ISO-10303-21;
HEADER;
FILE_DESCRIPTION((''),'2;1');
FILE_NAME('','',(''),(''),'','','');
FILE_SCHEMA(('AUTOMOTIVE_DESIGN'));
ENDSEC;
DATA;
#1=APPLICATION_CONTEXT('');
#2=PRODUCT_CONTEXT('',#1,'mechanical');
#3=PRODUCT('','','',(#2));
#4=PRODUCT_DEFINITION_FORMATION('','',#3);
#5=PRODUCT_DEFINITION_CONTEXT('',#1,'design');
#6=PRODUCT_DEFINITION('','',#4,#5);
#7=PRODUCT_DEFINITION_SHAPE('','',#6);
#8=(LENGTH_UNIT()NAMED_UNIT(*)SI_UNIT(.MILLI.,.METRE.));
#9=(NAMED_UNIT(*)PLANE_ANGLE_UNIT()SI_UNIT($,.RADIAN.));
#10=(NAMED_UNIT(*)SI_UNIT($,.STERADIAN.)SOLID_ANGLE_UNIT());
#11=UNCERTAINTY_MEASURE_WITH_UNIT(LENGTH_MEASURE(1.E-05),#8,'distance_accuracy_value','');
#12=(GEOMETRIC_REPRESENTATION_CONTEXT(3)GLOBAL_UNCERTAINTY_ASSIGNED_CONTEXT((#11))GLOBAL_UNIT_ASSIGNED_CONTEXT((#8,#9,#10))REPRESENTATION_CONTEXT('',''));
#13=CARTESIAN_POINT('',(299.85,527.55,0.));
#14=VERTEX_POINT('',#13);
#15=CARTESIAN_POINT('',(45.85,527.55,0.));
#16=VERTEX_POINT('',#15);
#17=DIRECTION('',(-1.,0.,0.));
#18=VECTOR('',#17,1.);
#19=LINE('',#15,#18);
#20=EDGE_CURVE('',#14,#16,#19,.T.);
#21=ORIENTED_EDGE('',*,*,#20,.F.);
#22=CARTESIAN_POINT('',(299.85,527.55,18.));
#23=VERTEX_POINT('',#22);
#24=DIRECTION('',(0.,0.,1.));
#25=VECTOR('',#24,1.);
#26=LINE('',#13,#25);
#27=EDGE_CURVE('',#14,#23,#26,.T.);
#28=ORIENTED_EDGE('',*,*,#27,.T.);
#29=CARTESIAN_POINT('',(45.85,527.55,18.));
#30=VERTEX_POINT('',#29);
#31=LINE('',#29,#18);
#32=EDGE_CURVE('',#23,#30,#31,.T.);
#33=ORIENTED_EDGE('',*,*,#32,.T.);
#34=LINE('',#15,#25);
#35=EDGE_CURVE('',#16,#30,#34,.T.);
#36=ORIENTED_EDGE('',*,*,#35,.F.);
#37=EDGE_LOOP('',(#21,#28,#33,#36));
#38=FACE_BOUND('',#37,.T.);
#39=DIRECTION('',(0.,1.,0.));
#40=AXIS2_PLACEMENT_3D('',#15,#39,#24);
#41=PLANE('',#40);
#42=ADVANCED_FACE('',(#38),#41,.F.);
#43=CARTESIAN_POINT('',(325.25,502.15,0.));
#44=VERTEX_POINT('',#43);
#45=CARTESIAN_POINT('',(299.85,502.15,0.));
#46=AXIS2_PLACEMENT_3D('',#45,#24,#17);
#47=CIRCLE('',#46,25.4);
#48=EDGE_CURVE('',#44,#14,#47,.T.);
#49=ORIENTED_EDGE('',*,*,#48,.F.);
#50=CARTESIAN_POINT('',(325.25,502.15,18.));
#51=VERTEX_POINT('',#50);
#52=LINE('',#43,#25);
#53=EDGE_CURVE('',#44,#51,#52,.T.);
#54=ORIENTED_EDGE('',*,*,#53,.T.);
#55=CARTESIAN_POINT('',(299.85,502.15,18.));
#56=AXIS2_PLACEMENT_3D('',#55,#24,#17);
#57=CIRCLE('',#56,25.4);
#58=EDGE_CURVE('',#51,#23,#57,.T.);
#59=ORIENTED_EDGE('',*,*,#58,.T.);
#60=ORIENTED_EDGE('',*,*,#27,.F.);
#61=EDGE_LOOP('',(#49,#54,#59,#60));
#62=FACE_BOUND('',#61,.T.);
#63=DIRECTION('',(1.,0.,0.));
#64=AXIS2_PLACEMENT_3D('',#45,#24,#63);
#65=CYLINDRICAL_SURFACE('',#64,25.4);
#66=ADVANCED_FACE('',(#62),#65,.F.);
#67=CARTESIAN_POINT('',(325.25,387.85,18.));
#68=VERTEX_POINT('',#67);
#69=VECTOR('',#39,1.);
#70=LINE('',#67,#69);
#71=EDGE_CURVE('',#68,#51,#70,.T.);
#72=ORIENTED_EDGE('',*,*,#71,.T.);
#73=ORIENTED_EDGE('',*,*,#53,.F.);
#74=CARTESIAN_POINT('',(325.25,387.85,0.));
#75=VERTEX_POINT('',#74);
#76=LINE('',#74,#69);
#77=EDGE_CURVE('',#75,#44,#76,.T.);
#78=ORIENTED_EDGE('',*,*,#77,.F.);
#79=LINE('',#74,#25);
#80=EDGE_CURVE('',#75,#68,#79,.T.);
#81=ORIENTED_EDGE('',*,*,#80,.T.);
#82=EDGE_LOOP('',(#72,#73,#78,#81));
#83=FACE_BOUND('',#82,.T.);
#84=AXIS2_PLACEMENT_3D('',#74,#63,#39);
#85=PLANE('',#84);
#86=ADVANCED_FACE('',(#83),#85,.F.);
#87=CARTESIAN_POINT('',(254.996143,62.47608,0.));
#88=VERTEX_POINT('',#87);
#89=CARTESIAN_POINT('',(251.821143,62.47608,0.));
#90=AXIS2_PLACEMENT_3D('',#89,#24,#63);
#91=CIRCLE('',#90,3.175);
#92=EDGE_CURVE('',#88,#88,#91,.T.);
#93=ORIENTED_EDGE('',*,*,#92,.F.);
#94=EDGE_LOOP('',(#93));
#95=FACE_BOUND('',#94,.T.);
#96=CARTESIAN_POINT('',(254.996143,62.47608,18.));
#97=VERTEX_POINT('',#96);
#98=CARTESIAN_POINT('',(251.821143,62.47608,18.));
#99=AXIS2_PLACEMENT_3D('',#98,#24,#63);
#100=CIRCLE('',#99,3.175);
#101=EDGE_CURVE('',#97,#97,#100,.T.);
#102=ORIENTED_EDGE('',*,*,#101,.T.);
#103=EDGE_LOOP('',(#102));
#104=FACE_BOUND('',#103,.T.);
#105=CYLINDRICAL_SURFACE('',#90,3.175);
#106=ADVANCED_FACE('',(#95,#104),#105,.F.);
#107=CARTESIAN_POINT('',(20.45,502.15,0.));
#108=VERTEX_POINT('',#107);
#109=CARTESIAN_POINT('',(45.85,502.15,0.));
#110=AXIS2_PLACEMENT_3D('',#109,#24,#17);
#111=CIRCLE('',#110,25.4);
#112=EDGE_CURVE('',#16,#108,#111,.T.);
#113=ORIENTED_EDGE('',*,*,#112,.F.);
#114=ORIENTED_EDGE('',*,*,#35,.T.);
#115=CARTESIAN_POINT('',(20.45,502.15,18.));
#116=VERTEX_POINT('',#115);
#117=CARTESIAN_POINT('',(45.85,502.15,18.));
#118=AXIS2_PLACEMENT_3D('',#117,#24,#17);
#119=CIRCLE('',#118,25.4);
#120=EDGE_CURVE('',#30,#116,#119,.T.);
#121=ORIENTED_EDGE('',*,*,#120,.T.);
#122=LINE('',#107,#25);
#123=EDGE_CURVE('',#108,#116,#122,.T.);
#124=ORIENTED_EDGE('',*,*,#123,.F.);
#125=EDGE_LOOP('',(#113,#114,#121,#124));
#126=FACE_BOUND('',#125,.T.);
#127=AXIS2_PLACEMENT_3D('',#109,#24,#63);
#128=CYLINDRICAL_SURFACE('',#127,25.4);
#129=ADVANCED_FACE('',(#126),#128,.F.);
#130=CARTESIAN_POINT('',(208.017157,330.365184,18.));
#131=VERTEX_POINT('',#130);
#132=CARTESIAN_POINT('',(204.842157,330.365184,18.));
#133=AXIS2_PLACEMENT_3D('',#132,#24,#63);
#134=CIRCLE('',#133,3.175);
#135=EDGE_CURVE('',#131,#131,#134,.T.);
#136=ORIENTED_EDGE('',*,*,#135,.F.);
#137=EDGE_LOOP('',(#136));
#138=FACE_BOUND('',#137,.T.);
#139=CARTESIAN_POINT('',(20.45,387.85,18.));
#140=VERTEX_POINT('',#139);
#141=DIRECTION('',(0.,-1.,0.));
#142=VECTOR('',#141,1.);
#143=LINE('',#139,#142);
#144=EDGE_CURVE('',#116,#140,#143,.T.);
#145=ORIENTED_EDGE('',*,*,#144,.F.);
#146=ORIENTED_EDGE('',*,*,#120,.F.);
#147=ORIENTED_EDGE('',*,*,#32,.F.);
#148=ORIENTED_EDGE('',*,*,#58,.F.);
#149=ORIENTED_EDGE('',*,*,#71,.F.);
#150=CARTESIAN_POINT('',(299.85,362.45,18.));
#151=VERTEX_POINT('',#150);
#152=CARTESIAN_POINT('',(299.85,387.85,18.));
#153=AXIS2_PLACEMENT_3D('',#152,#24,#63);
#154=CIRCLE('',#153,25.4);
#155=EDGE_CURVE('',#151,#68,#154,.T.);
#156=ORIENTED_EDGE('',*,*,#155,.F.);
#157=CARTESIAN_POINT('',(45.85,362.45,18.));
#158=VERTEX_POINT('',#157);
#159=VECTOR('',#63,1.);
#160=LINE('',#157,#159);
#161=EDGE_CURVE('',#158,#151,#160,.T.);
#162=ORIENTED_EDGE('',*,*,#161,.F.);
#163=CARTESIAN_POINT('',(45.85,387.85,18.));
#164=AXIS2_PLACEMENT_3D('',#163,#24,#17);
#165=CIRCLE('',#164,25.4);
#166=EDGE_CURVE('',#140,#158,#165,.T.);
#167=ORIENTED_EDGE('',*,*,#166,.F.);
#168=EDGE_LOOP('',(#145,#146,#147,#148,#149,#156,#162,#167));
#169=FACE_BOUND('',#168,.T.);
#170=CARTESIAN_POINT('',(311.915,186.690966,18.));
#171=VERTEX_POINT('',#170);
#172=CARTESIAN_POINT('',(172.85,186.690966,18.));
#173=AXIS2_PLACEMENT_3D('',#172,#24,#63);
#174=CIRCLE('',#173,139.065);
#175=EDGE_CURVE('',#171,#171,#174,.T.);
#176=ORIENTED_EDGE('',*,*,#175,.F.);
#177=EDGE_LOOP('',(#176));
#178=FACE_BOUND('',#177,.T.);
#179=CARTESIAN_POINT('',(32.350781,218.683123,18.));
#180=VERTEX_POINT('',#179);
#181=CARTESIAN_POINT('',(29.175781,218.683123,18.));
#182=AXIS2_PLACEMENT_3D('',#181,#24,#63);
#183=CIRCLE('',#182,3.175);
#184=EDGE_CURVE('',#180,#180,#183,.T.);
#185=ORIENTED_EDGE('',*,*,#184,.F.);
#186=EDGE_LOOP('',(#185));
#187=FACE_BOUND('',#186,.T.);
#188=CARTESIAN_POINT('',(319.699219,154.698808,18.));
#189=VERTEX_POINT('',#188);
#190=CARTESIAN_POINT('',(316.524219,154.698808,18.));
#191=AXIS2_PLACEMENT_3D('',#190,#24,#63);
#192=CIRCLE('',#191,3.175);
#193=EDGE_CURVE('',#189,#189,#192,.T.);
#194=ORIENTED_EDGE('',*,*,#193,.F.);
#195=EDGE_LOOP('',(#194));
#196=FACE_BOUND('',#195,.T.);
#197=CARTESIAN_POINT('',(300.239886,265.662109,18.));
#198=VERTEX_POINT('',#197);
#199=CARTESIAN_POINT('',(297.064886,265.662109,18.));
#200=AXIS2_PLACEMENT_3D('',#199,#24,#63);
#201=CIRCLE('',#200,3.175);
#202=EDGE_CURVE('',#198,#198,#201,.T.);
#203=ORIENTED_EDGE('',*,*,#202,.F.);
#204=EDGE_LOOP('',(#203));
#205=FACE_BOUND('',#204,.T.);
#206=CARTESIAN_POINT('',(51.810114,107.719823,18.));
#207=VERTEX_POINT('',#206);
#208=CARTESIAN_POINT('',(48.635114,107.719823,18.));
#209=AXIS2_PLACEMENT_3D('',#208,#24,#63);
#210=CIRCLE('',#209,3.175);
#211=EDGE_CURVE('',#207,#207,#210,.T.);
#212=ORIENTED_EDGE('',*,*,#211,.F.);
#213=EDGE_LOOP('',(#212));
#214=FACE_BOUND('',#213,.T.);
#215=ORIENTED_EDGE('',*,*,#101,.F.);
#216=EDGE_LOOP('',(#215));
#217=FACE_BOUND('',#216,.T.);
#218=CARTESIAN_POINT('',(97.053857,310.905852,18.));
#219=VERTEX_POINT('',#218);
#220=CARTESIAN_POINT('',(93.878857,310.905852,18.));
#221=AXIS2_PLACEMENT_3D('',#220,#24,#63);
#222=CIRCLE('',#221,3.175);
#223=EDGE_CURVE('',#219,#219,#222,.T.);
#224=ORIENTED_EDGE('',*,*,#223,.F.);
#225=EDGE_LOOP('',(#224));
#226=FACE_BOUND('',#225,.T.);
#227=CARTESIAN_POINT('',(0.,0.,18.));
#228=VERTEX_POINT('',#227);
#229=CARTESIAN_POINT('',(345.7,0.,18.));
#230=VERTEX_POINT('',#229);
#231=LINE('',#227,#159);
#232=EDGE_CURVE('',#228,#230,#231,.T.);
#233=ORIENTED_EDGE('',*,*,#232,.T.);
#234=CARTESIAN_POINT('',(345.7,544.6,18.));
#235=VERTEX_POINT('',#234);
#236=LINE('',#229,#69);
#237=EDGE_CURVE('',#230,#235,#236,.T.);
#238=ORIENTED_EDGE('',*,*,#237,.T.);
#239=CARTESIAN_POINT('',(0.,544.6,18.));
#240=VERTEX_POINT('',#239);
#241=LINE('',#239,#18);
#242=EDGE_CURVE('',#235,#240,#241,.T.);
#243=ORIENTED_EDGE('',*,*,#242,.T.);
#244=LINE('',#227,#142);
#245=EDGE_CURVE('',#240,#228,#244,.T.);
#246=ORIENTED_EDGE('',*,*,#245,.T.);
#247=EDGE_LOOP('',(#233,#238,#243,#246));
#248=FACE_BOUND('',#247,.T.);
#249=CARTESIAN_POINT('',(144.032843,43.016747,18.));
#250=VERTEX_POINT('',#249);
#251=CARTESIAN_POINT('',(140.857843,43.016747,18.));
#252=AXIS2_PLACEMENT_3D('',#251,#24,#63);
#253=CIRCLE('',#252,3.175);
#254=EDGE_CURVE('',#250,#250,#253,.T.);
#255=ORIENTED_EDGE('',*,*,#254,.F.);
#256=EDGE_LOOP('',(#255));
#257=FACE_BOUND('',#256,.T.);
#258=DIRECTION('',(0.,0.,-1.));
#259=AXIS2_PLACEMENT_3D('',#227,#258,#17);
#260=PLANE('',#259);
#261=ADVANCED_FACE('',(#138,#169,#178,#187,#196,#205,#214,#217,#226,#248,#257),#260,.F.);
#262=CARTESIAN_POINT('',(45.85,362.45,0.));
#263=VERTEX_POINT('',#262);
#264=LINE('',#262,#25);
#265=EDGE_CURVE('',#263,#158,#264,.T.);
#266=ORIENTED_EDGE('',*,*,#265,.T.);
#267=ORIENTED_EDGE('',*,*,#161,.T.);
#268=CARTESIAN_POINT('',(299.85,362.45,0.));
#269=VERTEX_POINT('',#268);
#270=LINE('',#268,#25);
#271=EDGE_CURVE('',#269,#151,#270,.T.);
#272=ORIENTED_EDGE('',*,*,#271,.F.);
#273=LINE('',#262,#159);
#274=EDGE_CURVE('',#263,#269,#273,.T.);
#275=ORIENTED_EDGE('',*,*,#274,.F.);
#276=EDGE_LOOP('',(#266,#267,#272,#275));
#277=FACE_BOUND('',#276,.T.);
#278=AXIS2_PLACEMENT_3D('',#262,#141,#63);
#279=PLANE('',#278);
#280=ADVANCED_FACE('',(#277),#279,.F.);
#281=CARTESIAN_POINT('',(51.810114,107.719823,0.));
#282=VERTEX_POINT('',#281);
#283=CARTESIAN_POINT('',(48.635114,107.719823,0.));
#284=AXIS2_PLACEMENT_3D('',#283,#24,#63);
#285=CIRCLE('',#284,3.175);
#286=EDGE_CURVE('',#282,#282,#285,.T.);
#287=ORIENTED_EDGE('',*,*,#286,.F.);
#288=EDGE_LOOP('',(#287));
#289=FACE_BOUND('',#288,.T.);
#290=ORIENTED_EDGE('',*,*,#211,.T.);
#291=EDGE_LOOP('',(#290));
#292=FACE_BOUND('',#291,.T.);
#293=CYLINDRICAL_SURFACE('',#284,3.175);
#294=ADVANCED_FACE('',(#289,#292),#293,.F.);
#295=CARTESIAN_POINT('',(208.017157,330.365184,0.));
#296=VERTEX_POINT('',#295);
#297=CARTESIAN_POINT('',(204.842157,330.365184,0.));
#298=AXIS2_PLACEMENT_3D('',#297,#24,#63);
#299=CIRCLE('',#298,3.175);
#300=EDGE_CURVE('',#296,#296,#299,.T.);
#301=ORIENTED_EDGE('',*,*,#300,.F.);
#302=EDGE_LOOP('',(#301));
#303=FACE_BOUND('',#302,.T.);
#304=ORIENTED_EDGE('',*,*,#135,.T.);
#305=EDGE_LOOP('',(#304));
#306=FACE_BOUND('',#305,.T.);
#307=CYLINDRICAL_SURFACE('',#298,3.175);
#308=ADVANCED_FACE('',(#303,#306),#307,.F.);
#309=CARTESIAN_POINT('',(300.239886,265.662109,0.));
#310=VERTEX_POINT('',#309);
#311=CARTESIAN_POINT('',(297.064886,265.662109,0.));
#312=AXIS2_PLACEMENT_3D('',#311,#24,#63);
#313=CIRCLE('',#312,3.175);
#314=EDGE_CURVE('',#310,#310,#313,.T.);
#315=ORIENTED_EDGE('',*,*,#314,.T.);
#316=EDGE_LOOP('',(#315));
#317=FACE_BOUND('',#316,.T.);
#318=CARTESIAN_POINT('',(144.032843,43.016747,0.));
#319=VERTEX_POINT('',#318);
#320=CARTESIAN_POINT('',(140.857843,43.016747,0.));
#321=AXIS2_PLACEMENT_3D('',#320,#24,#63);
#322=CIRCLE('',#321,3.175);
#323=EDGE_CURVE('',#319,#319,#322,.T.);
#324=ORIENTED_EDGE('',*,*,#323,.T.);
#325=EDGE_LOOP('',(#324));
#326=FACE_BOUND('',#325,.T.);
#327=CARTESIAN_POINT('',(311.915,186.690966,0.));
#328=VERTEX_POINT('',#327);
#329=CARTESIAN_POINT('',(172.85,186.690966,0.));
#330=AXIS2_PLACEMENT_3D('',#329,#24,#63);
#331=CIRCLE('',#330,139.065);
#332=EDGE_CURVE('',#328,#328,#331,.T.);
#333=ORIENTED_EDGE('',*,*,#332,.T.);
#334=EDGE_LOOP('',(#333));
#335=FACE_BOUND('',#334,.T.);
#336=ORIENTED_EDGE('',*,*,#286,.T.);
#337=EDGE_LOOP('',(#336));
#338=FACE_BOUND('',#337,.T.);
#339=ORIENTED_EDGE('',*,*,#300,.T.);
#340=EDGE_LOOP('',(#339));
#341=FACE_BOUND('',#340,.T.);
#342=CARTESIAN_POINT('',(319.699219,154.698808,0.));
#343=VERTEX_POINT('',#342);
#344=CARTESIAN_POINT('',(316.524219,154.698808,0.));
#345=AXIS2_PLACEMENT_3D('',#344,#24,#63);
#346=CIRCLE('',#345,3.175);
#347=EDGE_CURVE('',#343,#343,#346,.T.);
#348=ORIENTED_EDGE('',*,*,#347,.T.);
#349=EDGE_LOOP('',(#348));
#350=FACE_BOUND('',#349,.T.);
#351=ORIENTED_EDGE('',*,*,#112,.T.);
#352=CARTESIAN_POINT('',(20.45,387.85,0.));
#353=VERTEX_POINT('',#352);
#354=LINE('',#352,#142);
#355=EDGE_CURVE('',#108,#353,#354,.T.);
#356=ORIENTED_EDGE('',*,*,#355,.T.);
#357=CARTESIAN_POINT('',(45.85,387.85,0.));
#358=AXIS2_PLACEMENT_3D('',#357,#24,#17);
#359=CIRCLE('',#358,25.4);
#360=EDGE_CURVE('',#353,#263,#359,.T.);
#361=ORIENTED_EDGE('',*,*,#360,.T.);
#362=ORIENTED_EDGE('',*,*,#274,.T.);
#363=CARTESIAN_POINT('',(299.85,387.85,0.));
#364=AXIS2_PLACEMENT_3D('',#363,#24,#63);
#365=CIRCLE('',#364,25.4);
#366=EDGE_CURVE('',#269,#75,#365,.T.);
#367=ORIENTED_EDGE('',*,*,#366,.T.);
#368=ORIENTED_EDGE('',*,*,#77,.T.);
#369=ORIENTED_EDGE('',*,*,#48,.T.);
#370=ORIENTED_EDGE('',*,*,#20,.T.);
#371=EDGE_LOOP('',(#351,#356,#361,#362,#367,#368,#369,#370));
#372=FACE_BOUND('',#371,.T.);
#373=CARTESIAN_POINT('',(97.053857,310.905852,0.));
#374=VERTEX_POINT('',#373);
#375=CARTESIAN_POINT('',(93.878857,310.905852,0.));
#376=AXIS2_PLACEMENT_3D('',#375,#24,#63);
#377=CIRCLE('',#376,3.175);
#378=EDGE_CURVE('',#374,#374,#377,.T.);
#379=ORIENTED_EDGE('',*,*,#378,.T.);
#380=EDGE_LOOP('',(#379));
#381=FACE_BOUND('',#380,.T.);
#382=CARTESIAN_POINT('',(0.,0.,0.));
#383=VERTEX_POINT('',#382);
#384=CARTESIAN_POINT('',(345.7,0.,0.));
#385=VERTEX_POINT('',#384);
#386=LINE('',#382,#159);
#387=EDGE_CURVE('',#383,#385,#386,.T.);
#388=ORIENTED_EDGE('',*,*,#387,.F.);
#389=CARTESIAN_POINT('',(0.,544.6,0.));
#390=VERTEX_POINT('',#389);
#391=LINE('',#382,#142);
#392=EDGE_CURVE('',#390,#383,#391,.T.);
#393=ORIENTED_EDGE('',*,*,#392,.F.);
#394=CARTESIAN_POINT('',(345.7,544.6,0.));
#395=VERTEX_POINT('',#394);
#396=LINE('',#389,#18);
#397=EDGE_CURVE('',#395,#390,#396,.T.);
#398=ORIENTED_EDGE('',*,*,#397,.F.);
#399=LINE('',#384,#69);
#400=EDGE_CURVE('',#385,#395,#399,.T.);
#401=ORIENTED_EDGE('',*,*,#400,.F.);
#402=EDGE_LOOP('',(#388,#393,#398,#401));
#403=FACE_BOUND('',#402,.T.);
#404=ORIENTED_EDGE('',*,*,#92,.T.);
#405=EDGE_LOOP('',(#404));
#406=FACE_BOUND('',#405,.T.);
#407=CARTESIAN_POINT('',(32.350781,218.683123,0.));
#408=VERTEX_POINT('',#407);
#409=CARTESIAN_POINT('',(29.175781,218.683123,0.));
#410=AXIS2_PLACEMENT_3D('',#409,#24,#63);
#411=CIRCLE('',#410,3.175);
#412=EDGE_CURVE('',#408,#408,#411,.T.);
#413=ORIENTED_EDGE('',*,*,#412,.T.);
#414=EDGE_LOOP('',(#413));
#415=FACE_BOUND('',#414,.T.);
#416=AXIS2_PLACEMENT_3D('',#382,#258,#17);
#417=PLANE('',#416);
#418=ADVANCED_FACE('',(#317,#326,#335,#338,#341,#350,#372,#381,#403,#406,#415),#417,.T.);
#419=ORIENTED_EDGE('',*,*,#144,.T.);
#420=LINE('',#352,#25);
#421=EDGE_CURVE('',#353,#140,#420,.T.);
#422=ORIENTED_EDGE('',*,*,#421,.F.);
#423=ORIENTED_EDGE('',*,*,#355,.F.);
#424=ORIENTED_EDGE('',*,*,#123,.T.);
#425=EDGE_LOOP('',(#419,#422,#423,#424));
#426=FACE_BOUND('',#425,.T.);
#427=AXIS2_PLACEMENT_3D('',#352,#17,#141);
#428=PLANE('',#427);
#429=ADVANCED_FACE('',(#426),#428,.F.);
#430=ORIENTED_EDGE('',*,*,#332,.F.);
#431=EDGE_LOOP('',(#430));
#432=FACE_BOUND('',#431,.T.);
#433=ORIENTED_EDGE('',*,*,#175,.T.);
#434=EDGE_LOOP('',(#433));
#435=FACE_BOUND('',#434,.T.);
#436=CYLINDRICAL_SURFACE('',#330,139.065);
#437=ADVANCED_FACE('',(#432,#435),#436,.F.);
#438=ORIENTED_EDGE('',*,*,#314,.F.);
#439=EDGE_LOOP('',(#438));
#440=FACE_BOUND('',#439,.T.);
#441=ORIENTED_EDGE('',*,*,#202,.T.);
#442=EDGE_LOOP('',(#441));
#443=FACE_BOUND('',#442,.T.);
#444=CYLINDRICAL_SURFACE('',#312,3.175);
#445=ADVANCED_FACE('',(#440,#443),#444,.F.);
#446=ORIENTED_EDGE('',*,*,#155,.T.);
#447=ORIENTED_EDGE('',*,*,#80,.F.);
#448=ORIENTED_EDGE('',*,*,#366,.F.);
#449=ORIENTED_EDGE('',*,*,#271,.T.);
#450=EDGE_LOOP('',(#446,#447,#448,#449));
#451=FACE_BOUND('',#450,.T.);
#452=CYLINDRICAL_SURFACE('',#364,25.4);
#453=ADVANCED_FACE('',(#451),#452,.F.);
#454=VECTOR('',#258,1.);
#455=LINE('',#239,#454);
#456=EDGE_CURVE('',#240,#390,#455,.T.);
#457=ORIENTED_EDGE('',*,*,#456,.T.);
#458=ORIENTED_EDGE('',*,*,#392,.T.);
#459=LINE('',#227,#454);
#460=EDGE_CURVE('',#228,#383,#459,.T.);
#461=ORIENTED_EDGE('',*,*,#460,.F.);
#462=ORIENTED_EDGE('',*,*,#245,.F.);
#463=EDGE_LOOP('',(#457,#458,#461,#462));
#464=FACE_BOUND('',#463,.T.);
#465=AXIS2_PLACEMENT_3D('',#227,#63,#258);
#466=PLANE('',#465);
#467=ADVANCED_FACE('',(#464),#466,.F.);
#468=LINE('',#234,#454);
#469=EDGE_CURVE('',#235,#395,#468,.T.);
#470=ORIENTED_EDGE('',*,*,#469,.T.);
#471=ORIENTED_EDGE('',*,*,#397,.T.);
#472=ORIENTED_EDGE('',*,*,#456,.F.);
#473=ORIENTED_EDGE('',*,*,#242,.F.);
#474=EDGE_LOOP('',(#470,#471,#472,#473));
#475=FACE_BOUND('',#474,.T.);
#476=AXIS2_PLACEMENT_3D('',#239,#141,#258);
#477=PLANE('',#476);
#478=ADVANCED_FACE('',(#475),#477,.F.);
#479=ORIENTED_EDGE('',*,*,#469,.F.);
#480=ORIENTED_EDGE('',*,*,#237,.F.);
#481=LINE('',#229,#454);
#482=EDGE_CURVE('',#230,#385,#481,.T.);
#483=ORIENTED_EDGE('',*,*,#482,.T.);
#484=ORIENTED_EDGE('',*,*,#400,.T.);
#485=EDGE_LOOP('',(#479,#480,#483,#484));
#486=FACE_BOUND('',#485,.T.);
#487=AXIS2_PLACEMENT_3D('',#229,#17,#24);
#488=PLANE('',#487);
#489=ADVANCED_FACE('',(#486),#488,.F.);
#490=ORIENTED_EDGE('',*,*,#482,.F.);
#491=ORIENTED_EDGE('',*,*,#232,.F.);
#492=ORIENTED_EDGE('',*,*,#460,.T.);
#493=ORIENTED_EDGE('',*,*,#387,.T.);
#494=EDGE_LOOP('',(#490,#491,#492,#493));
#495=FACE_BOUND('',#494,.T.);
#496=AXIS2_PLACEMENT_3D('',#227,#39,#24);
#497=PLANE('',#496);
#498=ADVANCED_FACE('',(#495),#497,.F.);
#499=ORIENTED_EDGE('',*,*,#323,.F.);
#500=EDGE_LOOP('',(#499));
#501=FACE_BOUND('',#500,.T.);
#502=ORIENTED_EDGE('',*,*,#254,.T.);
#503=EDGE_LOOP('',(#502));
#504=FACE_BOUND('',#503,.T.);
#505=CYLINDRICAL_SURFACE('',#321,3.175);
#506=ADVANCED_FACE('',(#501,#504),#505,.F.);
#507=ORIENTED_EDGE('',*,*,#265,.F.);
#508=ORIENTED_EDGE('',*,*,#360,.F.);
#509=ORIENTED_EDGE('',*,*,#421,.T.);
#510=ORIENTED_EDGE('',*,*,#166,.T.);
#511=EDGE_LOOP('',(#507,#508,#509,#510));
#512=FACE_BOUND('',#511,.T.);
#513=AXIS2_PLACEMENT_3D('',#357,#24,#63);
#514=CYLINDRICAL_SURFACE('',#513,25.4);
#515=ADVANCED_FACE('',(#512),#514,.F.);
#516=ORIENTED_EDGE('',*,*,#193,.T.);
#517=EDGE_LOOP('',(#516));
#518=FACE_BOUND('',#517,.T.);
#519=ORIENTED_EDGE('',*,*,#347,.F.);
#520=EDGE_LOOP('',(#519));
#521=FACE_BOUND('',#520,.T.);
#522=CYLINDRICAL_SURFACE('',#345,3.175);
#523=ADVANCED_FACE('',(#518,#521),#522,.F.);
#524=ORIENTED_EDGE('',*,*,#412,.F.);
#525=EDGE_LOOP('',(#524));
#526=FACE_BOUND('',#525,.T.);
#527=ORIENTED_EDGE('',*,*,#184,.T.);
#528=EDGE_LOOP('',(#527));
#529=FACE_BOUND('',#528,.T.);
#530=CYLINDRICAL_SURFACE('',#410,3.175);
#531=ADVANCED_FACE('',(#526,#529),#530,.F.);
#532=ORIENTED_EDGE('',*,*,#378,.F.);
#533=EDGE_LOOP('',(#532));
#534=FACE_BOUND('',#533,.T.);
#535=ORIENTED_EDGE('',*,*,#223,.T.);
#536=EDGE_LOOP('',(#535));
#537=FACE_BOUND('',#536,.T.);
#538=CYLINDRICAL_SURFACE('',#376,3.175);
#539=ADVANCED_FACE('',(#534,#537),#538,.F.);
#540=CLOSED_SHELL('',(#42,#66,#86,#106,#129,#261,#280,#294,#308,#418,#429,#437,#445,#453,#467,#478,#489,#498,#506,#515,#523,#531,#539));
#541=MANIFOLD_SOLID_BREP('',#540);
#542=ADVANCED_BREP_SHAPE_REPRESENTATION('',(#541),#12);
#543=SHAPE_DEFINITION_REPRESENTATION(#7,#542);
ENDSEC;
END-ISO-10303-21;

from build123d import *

# Parameters (mm, degrees)
SKETCH1_W           = 345.7
SKETCH1_H           = 544.6
BOSS_EXTRUDE1_DEPTH = 18
SKETCH2_W           = 266.7
SKETCH2_H           = 127
CUT_EXTRUDE1_DEPTH  = 19
SKETCH3_R           = 139.065
CUT_EXTRUDE2_DEPTH  = 19
SKETCH4_R           = 3.175
CUT_EXTRUDE3_DEPTH  = 19
CUT_EXTRUDE4_DEPTH  = 19


with BuildPart() as part:
    # Sketch1 → Boss-Extrude1 (new body)
    with BuildSketch(Plane.XY):
        with Locations((172.85, 272.3)):
            Rectangle(SKETCH1_W, SKETCH1_H)
    extrude(amount=BOSS_EXTRUDE1_DEPTH)

    # Sketch2 → Cut-Extrude1 (cut, through all)
    with BuildSketch(Plane.XY.offset(18)):
        with Locations((172.85, 445)):
            Rectangle(SKETCH2_W, SKETCH2_H)
    extrude(amount=-CUT_EXTRUDE1_DEPTH, mode=Mode.SUBTRACT)

    # Sketch3 → Cut-Extrude2 (cut, through all)
    with BuildSketch(Plane.XY.offset(18)):
        with Locations((172.85, 186.690965799)):
            Circle(SKETCH3_R)
    extrude(amount=-CUT_EXTRUDE2_DEPTH, mode=Mode.SUBTRACT)

    # Sketch4 → Cut-Extrude3 (cut, through all)
    with BuildSketch(Plane.XY.offset(18)):
        with Locations((204.842157428, 330.365184475)):
            Circle(SKETCH4_R)
        with Locations((297.06488577, 265.662108644)):
            Circle(SKETCH4_R)
        with Locations((316.524218676, 154.698808371)):
            Circle(SKETCH4_R)
        with Locations((251.821142845, 62.476080029)):
            Circle(SKETCH4_R)
        with Locations((140.857842572, 43.016747123)):
            Circle(SKETCH4_R)
        with Locations((48.63511423, 107.719822954)):
            Circle(SKETCH4_R)
        with Locations((29.175781324, 218.683123227)):
            Circle(SKETCH4_R)
        with Locations((93.878857155, 310.905851569)):
            Circle(SKETCH4_R)
    extrude(amount=-CUT_EXTRUDE3_DEPTH, mode=Mode.SUBTRACT)

    # Sketch6 → Cut-Extrude4 (cut, through all)
    with BuildSketch(Plane.XY.offset(18)):
        with BuildLine():
            Line((45.85, 362.45), (299.85, 362.45))
            ThreePointArc((299.85, 362.45), (317.810512242, 369.889487758), (325.25, 387.85))
            Line((325.25, 387.85), (325.25, 502.15))
            ThreePointArc((325.25, 502.15), (317.810512242, 520.110512242), (299.85, 527.55))
            Line((299.85, 527.55), (45.85, 527.55))
            ThreePointArc((45.85, 527.55), (27.889487758, 520.110512242), (20.45, 502.15))
            Line((20.45, 502.15), (20.45, 387.85))
            ThreePointArc((20.45, 387.85), (27.889487758, 369.889487758), (45.85, 362.45))
        make_face()
    extrude(amount=-CUT_EXTRUDE4_DEPTH, mode=Mode.SUBTRACT)


solid = part.part
